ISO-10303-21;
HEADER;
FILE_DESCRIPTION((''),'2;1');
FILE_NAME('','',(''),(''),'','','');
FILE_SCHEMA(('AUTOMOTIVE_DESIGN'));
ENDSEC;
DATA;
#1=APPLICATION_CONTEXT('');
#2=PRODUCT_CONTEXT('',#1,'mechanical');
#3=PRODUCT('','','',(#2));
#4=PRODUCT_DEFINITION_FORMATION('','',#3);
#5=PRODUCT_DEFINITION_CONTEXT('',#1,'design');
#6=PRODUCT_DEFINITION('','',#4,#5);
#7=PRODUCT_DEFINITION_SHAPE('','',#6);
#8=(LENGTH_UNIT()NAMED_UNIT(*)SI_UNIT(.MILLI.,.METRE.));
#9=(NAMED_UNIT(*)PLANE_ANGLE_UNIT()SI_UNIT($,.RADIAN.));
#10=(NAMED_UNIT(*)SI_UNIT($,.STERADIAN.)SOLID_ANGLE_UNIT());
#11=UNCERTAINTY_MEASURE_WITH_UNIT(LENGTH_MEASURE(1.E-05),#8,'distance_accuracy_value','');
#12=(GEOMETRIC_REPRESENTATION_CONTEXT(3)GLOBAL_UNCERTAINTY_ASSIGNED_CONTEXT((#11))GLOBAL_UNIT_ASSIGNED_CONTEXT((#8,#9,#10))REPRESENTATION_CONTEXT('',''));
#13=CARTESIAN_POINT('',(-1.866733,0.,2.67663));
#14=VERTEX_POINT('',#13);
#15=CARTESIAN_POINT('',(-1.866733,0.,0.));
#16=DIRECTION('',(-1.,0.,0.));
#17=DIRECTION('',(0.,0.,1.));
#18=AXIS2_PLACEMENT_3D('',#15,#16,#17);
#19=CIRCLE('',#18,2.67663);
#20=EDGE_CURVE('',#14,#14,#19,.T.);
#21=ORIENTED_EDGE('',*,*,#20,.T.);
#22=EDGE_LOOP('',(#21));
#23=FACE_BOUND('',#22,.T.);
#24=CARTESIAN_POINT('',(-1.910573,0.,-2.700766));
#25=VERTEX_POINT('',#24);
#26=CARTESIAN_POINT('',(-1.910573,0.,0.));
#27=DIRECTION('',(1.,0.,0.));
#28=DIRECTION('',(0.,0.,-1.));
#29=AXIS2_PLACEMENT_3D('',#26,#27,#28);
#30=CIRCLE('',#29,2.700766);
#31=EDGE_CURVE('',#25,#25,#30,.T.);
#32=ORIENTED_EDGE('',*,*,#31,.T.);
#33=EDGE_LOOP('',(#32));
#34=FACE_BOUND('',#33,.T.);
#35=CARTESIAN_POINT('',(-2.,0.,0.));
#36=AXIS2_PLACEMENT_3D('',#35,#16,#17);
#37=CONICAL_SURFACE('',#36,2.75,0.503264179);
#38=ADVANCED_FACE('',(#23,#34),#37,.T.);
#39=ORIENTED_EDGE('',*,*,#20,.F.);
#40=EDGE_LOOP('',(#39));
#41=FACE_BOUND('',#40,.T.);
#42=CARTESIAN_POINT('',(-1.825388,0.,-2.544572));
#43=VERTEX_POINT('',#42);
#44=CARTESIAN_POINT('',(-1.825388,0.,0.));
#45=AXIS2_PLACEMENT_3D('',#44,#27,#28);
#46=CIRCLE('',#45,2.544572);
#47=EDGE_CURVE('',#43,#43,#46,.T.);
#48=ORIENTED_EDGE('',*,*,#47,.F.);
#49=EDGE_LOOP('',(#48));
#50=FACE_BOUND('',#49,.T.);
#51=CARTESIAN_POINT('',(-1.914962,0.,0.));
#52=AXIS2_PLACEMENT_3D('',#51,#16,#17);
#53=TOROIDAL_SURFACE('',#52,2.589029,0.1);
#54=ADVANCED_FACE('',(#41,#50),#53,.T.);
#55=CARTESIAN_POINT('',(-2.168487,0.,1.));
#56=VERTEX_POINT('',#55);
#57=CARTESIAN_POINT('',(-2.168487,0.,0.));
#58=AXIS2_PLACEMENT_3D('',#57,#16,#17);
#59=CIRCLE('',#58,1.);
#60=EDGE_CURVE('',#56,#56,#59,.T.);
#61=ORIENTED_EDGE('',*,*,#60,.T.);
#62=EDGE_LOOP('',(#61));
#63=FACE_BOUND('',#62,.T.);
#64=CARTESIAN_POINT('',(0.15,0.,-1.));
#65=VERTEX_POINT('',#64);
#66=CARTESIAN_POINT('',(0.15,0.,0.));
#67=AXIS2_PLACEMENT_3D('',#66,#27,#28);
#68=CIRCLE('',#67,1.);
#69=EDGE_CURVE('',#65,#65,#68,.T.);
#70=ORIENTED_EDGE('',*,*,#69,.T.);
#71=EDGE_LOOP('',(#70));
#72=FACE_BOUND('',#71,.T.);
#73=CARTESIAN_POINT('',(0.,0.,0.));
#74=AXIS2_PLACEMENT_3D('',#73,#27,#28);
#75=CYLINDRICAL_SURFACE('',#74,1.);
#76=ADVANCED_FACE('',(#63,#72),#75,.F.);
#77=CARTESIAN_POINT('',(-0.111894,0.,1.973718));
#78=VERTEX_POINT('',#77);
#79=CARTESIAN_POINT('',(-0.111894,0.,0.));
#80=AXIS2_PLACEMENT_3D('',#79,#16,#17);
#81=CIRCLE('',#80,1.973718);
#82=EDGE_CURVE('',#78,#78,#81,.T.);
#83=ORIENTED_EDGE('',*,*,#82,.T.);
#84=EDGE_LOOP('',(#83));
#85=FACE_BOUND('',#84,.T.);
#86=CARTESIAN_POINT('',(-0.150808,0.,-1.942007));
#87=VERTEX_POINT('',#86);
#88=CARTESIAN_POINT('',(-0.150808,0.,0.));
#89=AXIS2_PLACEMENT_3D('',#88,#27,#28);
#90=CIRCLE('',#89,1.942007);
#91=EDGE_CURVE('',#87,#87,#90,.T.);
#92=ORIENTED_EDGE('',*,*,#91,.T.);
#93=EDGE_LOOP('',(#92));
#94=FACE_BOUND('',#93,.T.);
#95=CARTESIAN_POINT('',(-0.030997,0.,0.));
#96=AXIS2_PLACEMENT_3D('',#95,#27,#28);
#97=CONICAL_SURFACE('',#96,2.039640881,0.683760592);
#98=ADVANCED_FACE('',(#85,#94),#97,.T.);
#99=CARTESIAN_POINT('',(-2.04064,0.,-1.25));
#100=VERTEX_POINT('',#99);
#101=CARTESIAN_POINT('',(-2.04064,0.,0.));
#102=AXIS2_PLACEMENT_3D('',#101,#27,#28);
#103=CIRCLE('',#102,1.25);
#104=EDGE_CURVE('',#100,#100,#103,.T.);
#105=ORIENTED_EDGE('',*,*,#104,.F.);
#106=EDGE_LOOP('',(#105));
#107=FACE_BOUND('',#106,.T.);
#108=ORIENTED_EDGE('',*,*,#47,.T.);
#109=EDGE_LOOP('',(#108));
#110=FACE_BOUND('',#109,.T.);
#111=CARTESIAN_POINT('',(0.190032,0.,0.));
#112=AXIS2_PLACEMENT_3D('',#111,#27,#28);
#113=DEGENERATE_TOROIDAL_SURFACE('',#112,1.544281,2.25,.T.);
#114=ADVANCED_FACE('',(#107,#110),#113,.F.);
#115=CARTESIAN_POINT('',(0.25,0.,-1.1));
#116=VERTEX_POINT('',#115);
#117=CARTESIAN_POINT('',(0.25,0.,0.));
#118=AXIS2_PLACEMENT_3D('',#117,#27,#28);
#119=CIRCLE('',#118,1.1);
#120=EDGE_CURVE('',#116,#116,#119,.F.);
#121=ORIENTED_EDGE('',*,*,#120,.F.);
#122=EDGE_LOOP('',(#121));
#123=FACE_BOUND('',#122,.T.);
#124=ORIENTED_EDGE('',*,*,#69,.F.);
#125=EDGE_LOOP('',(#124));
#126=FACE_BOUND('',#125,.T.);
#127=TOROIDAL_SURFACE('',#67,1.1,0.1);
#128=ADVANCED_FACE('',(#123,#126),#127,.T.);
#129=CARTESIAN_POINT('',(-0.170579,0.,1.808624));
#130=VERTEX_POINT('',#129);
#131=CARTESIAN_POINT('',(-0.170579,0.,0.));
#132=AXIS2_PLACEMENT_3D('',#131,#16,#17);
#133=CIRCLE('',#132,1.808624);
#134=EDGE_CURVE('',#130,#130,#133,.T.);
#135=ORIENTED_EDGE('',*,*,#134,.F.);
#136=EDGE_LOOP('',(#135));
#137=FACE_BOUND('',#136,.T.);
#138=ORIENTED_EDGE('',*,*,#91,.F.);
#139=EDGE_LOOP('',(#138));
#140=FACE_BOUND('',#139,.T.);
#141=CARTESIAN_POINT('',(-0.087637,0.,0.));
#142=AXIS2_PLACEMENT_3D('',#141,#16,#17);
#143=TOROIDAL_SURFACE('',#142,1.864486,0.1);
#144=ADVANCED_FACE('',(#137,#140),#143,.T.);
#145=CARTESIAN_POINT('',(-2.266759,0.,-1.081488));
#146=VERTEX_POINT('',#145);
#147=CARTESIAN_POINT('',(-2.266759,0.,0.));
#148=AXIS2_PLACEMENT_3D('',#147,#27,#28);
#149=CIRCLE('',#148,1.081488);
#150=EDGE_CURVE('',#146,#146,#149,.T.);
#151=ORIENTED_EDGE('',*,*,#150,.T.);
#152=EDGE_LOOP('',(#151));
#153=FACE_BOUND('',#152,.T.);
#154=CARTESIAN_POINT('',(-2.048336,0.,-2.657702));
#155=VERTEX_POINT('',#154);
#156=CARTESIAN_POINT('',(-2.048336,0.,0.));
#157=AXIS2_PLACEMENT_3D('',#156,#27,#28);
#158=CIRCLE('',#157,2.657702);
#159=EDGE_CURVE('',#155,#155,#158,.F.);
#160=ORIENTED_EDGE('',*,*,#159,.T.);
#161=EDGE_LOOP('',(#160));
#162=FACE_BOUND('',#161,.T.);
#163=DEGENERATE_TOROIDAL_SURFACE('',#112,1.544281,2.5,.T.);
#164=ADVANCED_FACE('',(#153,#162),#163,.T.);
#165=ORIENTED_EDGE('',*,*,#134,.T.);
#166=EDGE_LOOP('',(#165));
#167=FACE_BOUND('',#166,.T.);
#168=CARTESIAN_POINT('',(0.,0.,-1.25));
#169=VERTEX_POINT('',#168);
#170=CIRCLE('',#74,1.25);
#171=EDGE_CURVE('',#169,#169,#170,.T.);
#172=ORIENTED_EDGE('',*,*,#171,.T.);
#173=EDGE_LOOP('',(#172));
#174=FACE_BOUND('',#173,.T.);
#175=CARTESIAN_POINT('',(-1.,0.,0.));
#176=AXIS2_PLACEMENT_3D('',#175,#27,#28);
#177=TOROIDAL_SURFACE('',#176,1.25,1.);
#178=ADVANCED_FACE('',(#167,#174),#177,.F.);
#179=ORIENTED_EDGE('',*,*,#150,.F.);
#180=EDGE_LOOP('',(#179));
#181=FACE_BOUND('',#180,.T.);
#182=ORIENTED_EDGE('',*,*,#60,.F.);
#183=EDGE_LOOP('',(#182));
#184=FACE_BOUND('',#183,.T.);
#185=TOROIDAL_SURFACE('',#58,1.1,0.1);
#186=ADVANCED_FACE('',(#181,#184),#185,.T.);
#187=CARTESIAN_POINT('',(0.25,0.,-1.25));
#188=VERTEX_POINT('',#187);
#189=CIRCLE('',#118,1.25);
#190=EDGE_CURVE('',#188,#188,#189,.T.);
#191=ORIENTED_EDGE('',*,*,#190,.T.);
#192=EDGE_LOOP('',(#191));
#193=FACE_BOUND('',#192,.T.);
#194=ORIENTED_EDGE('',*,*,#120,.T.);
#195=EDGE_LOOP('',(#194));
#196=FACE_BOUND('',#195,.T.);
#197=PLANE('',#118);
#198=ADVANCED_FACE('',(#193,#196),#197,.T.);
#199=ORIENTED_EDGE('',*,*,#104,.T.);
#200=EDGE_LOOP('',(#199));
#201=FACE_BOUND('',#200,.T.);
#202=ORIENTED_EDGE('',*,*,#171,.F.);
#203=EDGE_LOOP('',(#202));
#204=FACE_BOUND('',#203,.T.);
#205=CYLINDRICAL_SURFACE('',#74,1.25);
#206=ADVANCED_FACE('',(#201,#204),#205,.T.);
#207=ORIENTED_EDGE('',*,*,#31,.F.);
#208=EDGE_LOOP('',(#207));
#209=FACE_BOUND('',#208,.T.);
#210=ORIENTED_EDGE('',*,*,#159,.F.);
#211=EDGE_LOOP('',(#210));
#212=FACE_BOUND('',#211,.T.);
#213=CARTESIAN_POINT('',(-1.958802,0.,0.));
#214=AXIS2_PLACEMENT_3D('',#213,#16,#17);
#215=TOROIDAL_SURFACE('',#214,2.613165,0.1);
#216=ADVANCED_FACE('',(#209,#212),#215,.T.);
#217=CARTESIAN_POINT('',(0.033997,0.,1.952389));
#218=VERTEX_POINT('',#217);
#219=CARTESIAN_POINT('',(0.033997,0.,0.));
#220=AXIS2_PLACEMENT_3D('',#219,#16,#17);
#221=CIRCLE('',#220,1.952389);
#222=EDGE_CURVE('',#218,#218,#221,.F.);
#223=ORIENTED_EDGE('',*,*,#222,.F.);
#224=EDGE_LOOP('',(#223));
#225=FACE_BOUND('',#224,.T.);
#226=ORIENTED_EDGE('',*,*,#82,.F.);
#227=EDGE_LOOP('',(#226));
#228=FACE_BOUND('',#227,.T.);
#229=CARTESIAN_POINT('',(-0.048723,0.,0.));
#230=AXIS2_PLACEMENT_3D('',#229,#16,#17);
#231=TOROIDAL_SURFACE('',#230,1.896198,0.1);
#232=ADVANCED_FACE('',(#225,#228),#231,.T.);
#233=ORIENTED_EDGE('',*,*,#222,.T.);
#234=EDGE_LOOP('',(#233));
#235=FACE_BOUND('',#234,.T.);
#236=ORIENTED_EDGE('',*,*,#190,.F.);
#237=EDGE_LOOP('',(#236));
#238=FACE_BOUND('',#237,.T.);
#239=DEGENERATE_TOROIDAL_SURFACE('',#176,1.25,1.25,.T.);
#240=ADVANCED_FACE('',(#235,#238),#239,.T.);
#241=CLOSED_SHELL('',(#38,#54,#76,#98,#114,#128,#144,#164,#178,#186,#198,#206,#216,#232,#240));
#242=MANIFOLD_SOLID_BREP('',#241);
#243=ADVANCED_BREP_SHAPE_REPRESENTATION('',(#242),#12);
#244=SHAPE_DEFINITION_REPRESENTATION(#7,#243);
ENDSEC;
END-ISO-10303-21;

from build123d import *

# Parameters (mm, degrees)
FILLET1_R = 0.1


with BuildPart() as part:
    # Sketch1 → Revolve1 (revolve)
    with BuildSketch(Plane.XY):
        with BuildLine():
            ThreePointArc((-0.224797408, 1.881712705), (-0.057874055, 1.58525916), (0, 1.25))
            Line((0, 1.25), (-2, 1.25))
            Line((-2, 1.25), (-2.040639843, 1.25))
            ThreePointArc((-2.040639843, 1.25), (-2.021139042, 1.960479194), (-1.78099676, 2.629428109))
            Line((-1.78099676, 2.629428109), (-2, 2.75))
            ThreePointArc((-2, 2.75), (-2.284841337, 1.897834477), (-2.25, 1))
            Line((-2.25, 1), (0.25, 1))
            Line((0.25, 1), (0.25, 1.25))
            ThreePointArc((0.25, 1.25), (0.177657431, 1.66907395), (-0.03099676, 2.039640881))
            Line((-0.03099676, 2.039640881), (-0.224797408, 1.881712705))
        make_face()
    revolve(axis=Axis((0, 0, 0), (-1, 0, 0)))

    # Fillet1
    fillet1_edges = [part.edges().sort_by_distance(p)[0] for p in [
        (-2.25, -1, 0),
        (0.25, -1, 0),
        (-0.224797408, -1.881712705, 0),
        (-1.78099676, -2.629428109, 0),
        (-0.03099676, -2.039640881, 0),
        (-2, -2.75, 0),
    ]]
    fillet(fillet1_edges, radius=FILLET1_R)


solid = part.part
